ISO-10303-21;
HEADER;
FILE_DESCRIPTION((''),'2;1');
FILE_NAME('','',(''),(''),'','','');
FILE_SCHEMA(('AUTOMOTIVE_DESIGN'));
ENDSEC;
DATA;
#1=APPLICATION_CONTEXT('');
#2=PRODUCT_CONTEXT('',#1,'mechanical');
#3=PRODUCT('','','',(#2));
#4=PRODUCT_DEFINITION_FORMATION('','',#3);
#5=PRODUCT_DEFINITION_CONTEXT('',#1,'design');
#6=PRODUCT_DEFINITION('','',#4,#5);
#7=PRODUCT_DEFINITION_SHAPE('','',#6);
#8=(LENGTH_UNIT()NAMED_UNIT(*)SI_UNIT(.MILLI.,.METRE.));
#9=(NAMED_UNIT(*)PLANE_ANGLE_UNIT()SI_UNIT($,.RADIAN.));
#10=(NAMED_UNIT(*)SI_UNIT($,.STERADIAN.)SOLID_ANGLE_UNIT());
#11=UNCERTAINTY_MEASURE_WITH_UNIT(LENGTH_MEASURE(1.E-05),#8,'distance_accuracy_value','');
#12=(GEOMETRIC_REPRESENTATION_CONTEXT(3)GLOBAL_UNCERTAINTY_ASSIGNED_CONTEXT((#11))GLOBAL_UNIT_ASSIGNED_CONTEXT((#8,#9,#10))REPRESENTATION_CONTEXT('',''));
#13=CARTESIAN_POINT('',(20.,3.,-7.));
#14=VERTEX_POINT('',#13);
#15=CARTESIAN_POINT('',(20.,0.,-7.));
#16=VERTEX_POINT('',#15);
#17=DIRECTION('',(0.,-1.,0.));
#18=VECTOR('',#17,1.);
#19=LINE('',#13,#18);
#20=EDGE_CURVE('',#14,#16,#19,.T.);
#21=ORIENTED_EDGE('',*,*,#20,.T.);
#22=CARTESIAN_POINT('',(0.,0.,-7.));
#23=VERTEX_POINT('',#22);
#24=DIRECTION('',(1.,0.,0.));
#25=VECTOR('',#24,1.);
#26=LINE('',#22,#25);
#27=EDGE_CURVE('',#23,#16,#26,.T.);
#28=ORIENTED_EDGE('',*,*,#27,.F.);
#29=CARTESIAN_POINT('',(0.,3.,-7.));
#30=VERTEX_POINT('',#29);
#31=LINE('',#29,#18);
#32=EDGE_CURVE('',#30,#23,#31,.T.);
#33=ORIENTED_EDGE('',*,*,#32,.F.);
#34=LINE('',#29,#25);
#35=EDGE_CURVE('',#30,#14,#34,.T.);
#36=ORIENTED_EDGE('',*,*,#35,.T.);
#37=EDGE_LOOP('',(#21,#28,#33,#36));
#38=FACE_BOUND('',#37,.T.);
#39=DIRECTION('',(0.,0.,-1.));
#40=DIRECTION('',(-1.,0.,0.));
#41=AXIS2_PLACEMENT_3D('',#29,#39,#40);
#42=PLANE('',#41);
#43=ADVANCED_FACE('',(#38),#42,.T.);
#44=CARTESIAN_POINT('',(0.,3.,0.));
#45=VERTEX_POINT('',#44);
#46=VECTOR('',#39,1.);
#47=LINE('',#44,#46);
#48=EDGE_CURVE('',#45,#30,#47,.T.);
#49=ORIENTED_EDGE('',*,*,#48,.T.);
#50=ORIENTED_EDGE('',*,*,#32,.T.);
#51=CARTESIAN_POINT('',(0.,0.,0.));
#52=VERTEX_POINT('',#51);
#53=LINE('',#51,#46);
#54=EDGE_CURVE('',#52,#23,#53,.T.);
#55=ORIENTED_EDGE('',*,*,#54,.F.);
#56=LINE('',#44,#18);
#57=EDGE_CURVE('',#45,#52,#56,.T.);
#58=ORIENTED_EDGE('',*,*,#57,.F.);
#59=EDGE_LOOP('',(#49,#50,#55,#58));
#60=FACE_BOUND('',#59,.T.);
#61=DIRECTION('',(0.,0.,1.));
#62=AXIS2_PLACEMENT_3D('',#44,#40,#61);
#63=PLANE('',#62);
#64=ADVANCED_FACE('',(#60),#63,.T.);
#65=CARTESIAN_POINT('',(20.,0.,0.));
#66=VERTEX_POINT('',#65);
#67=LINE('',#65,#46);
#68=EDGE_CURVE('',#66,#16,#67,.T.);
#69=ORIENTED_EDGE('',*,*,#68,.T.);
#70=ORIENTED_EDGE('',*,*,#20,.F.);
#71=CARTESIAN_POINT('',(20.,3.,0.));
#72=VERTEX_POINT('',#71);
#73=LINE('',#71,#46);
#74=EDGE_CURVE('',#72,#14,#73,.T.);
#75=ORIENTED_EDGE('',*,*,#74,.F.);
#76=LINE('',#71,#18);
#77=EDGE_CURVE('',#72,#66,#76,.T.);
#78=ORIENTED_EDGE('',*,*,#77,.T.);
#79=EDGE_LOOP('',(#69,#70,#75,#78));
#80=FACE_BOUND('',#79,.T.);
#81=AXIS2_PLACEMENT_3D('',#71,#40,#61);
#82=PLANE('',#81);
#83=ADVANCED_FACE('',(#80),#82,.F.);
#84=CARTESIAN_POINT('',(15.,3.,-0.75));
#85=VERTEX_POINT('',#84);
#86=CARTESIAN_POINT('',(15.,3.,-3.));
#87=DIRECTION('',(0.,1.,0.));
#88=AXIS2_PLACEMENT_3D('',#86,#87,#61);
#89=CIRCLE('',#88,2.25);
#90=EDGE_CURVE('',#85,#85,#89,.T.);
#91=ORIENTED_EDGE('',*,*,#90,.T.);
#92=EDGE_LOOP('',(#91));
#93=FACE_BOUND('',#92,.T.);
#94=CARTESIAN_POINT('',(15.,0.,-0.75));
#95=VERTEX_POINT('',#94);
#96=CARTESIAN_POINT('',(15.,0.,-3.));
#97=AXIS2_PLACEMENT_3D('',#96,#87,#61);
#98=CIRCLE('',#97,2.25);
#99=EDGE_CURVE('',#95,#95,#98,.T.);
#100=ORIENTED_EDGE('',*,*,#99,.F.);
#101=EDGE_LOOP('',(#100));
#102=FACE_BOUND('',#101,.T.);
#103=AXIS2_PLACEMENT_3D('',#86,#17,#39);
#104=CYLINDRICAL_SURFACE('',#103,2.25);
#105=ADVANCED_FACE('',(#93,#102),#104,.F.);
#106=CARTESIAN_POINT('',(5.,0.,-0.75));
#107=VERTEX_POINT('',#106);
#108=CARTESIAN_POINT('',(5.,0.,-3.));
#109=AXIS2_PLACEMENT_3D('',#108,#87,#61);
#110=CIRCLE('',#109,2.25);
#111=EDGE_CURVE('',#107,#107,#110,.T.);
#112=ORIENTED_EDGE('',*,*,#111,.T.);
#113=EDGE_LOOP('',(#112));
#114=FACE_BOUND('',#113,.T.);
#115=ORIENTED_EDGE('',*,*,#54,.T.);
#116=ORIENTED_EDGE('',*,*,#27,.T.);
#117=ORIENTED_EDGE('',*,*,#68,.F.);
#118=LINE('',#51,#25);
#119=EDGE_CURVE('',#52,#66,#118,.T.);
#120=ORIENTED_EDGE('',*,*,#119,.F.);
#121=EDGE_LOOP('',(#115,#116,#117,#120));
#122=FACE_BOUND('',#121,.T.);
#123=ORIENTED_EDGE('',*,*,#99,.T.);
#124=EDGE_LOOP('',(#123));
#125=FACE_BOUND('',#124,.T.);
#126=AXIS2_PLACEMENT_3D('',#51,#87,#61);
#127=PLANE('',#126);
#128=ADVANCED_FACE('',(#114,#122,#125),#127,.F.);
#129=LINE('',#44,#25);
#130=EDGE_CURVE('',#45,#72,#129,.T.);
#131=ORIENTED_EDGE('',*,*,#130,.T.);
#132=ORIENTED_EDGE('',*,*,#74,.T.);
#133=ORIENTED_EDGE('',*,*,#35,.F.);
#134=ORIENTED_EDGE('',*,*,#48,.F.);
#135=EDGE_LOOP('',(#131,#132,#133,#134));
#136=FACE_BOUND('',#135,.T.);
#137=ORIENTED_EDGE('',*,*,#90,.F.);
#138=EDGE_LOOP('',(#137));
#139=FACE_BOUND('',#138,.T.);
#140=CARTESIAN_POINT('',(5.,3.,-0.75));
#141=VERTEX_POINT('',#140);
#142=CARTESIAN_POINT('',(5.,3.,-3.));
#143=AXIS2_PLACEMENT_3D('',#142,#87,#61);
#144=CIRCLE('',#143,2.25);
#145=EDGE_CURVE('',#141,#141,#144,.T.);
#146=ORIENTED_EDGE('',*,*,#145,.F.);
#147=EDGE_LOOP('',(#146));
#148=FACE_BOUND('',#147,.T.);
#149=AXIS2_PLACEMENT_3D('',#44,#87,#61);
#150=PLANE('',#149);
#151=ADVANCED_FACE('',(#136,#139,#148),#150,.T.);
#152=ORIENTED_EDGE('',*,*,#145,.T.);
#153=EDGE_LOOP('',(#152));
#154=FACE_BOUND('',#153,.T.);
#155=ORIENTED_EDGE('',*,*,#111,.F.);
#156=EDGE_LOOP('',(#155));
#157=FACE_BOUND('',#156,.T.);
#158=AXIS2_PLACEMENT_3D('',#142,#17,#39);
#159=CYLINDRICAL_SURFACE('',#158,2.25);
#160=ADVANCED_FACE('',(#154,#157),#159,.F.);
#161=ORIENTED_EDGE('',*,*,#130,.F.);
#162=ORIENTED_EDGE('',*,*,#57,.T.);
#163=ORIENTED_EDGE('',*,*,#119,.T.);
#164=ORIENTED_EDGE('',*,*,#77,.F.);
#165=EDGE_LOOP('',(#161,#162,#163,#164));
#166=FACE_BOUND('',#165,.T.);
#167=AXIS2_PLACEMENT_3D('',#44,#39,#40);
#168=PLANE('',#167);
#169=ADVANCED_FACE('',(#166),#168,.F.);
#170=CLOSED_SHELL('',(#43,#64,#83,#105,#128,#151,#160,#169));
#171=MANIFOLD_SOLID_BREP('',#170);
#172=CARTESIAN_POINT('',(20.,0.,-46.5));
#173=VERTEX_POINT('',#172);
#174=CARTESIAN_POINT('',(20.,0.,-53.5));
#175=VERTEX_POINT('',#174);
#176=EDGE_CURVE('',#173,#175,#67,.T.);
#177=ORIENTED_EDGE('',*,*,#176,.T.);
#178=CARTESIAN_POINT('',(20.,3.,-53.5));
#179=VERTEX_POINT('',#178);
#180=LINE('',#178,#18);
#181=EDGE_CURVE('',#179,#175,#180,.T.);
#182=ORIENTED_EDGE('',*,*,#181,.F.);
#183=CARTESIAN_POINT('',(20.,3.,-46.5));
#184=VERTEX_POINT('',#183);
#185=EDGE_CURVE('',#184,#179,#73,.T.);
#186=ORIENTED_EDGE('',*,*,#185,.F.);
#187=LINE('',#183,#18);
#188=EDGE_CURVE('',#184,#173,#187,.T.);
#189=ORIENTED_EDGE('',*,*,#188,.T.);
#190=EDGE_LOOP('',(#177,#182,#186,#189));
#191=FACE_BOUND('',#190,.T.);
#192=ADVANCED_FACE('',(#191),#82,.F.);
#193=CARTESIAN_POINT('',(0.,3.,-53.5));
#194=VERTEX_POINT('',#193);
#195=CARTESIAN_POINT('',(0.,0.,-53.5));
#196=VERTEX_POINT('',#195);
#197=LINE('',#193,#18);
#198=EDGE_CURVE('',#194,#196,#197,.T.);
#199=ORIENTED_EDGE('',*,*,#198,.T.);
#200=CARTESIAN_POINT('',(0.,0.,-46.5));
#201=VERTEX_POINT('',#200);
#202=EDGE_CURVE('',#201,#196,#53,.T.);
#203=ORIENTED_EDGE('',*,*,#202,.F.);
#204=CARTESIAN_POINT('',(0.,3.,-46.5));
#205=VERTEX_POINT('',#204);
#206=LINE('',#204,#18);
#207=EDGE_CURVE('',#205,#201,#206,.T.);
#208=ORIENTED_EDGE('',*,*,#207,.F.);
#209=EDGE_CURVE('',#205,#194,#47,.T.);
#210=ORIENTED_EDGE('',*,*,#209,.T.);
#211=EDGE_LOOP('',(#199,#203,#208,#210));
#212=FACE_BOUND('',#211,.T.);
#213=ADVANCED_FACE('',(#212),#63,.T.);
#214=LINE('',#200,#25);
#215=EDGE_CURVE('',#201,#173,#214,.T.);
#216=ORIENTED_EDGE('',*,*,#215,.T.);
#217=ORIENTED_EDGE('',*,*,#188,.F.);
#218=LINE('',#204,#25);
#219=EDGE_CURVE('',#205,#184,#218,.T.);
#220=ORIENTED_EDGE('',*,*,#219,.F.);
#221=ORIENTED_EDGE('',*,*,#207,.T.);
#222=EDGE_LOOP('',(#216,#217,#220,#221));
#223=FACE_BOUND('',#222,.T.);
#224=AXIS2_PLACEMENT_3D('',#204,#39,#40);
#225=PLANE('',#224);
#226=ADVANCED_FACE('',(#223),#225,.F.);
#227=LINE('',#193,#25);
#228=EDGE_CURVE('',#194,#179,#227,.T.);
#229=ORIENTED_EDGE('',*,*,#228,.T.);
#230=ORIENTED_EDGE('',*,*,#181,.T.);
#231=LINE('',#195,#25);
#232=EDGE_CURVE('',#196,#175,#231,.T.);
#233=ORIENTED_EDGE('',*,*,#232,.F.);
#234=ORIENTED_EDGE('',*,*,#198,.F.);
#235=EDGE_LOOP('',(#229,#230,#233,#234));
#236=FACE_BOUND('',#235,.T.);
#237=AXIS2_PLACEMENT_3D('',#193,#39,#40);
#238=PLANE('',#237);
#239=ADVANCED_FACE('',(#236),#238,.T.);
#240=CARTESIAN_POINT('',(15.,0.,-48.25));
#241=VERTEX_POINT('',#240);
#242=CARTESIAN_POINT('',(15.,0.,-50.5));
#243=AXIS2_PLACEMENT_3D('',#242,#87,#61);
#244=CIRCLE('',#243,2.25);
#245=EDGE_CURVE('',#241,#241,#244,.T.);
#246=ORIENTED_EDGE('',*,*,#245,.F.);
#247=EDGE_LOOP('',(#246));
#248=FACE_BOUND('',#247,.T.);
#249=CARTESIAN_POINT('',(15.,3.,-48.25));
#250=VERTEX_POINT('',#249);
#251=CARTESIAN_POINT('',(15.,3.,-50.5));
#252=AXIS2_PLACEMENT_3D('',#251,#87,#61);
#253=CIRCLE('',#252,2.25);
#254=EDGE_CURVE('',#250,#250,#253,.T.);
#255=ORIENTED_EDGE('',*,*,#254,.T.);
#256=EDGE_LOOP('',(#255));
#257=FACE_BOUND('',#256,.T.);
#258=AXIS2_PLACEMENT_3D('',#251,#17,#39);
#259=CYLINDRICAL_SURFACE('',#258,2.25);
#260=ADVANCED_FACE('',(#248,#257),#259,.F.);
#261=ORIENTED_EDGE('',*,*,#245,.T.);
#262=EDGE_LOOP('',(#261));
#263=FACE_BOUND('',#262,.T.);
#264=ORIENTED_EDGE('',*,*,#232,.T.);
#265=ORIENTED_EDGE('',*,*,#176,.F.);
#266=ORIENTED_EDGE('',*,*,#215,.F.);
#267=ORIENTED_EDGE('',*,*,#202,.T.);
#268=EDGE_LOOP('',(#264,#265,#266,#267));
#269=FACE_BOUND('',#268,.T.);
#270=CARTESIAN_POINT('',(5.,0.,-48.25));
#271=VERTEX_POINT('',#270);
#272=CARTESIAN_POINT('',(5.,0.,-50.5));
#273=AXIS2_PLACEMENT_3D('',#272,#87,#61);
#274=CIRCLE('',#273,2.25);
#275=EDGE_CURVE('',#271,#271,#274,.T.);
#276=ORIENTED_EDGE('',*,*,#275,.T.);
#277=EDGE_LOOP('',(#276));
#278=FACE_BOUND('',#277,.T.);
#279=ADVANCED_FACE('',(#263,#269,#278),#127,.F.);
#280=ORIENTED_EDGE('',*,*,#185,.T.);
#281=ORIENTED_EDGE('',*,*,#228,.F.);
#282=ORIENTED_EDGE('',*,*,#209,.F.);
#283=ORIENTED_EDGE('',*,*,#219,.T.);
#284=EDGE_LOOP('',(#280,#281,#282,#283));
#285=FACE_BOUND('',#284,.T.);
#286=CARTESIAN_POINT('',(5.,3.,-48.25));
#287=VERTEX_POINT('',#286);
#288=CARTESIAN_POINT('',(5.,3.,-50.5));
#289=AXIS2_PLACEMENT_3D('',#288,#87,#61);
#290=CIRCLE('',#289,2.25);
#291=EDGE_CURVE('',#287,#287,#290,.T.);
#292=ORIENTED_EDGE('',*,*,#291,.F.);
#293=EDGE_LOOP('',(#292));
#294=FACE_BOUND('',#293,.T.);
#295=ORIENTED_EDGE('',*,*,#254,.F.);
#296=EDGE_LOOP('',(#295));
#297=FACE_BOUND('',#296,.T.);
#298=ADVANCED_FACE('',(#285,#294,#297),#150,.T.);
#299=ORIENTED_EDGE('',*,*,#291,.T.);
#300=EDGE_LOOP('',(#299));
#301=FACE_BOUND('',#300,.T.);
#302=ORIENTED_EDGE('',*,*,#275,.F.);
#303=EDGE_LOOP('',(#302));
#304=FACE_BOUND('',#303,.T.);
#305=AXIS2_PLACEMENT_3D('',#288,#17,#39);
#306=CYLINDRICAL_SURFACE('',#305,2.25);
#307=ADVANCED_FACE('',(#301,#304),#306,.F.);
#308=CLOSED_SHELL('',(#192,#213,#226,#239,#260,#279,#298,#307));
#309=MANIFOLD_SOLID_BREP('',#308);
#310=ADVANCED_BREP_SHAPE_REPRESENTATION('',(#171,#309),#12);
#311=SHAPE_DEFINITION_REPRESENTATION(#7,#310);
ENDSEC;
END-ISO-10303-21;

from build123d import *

# Parameters (mm, degrees)
SKETCH1_W             = 20
SKETCH1_H             = 7
SKETCH1_R             = 2.25
BOSS_EXTRUDE2_DEPTH   = 3
BOSS_EXTRUDE2_2_DEPTH = 3


with BuildPart() as part:
    # Sketch1 → Boss-Extrude2 (new body)
    with BuildSketch(Plane(origin=(0, 0, 0), x_dir=(1, 0, 0), z_dir=(0, 1, 0))):
        with Locations((10, 50)):
            Rectangle(SKETCH1_W, SKETCH1_H)
        with Locations(Location((5, 50.5, 0), (0, 0, 270))):
            Circle(SKETCH1_R, mode=Mode.SUBTRACT)
        with Locations(Location((15, 50.5, 0), (0, 0, 270))):
            Circle(SKETCH1_R, mode=Mode.SUBTRACT)
    extrude(amount=BOSS_EXTRUDE2_DEPTH)


with BuildPart() as body_2:
    # Sketch1 → Boss-Extrude2 2 (new body)
    with BuildSketch(Plane(origin=(0, 0, 0), x_dir=(1, 0, 0), z_dir=(0, 1, 0))):
        with Locations((10, 3.5)):
            Rectangle(SKETCH1_W, SKETCH1_H)
        with Locations(Location((5, 3, 0), (0, 0, 270))):
            Circle(SKETCH1_R, mode=Mode.SUBTRACT)
        with Locations(Location((15, 3, 0), (0, 0, 270))):
            Circle(SKETCH1_R, mode=Mode.SUBTRACT)
    extrude(amount=BOSS_EXTRUDE2_2_DEPTH)


solid = Compound([part.part, body_2.part])
